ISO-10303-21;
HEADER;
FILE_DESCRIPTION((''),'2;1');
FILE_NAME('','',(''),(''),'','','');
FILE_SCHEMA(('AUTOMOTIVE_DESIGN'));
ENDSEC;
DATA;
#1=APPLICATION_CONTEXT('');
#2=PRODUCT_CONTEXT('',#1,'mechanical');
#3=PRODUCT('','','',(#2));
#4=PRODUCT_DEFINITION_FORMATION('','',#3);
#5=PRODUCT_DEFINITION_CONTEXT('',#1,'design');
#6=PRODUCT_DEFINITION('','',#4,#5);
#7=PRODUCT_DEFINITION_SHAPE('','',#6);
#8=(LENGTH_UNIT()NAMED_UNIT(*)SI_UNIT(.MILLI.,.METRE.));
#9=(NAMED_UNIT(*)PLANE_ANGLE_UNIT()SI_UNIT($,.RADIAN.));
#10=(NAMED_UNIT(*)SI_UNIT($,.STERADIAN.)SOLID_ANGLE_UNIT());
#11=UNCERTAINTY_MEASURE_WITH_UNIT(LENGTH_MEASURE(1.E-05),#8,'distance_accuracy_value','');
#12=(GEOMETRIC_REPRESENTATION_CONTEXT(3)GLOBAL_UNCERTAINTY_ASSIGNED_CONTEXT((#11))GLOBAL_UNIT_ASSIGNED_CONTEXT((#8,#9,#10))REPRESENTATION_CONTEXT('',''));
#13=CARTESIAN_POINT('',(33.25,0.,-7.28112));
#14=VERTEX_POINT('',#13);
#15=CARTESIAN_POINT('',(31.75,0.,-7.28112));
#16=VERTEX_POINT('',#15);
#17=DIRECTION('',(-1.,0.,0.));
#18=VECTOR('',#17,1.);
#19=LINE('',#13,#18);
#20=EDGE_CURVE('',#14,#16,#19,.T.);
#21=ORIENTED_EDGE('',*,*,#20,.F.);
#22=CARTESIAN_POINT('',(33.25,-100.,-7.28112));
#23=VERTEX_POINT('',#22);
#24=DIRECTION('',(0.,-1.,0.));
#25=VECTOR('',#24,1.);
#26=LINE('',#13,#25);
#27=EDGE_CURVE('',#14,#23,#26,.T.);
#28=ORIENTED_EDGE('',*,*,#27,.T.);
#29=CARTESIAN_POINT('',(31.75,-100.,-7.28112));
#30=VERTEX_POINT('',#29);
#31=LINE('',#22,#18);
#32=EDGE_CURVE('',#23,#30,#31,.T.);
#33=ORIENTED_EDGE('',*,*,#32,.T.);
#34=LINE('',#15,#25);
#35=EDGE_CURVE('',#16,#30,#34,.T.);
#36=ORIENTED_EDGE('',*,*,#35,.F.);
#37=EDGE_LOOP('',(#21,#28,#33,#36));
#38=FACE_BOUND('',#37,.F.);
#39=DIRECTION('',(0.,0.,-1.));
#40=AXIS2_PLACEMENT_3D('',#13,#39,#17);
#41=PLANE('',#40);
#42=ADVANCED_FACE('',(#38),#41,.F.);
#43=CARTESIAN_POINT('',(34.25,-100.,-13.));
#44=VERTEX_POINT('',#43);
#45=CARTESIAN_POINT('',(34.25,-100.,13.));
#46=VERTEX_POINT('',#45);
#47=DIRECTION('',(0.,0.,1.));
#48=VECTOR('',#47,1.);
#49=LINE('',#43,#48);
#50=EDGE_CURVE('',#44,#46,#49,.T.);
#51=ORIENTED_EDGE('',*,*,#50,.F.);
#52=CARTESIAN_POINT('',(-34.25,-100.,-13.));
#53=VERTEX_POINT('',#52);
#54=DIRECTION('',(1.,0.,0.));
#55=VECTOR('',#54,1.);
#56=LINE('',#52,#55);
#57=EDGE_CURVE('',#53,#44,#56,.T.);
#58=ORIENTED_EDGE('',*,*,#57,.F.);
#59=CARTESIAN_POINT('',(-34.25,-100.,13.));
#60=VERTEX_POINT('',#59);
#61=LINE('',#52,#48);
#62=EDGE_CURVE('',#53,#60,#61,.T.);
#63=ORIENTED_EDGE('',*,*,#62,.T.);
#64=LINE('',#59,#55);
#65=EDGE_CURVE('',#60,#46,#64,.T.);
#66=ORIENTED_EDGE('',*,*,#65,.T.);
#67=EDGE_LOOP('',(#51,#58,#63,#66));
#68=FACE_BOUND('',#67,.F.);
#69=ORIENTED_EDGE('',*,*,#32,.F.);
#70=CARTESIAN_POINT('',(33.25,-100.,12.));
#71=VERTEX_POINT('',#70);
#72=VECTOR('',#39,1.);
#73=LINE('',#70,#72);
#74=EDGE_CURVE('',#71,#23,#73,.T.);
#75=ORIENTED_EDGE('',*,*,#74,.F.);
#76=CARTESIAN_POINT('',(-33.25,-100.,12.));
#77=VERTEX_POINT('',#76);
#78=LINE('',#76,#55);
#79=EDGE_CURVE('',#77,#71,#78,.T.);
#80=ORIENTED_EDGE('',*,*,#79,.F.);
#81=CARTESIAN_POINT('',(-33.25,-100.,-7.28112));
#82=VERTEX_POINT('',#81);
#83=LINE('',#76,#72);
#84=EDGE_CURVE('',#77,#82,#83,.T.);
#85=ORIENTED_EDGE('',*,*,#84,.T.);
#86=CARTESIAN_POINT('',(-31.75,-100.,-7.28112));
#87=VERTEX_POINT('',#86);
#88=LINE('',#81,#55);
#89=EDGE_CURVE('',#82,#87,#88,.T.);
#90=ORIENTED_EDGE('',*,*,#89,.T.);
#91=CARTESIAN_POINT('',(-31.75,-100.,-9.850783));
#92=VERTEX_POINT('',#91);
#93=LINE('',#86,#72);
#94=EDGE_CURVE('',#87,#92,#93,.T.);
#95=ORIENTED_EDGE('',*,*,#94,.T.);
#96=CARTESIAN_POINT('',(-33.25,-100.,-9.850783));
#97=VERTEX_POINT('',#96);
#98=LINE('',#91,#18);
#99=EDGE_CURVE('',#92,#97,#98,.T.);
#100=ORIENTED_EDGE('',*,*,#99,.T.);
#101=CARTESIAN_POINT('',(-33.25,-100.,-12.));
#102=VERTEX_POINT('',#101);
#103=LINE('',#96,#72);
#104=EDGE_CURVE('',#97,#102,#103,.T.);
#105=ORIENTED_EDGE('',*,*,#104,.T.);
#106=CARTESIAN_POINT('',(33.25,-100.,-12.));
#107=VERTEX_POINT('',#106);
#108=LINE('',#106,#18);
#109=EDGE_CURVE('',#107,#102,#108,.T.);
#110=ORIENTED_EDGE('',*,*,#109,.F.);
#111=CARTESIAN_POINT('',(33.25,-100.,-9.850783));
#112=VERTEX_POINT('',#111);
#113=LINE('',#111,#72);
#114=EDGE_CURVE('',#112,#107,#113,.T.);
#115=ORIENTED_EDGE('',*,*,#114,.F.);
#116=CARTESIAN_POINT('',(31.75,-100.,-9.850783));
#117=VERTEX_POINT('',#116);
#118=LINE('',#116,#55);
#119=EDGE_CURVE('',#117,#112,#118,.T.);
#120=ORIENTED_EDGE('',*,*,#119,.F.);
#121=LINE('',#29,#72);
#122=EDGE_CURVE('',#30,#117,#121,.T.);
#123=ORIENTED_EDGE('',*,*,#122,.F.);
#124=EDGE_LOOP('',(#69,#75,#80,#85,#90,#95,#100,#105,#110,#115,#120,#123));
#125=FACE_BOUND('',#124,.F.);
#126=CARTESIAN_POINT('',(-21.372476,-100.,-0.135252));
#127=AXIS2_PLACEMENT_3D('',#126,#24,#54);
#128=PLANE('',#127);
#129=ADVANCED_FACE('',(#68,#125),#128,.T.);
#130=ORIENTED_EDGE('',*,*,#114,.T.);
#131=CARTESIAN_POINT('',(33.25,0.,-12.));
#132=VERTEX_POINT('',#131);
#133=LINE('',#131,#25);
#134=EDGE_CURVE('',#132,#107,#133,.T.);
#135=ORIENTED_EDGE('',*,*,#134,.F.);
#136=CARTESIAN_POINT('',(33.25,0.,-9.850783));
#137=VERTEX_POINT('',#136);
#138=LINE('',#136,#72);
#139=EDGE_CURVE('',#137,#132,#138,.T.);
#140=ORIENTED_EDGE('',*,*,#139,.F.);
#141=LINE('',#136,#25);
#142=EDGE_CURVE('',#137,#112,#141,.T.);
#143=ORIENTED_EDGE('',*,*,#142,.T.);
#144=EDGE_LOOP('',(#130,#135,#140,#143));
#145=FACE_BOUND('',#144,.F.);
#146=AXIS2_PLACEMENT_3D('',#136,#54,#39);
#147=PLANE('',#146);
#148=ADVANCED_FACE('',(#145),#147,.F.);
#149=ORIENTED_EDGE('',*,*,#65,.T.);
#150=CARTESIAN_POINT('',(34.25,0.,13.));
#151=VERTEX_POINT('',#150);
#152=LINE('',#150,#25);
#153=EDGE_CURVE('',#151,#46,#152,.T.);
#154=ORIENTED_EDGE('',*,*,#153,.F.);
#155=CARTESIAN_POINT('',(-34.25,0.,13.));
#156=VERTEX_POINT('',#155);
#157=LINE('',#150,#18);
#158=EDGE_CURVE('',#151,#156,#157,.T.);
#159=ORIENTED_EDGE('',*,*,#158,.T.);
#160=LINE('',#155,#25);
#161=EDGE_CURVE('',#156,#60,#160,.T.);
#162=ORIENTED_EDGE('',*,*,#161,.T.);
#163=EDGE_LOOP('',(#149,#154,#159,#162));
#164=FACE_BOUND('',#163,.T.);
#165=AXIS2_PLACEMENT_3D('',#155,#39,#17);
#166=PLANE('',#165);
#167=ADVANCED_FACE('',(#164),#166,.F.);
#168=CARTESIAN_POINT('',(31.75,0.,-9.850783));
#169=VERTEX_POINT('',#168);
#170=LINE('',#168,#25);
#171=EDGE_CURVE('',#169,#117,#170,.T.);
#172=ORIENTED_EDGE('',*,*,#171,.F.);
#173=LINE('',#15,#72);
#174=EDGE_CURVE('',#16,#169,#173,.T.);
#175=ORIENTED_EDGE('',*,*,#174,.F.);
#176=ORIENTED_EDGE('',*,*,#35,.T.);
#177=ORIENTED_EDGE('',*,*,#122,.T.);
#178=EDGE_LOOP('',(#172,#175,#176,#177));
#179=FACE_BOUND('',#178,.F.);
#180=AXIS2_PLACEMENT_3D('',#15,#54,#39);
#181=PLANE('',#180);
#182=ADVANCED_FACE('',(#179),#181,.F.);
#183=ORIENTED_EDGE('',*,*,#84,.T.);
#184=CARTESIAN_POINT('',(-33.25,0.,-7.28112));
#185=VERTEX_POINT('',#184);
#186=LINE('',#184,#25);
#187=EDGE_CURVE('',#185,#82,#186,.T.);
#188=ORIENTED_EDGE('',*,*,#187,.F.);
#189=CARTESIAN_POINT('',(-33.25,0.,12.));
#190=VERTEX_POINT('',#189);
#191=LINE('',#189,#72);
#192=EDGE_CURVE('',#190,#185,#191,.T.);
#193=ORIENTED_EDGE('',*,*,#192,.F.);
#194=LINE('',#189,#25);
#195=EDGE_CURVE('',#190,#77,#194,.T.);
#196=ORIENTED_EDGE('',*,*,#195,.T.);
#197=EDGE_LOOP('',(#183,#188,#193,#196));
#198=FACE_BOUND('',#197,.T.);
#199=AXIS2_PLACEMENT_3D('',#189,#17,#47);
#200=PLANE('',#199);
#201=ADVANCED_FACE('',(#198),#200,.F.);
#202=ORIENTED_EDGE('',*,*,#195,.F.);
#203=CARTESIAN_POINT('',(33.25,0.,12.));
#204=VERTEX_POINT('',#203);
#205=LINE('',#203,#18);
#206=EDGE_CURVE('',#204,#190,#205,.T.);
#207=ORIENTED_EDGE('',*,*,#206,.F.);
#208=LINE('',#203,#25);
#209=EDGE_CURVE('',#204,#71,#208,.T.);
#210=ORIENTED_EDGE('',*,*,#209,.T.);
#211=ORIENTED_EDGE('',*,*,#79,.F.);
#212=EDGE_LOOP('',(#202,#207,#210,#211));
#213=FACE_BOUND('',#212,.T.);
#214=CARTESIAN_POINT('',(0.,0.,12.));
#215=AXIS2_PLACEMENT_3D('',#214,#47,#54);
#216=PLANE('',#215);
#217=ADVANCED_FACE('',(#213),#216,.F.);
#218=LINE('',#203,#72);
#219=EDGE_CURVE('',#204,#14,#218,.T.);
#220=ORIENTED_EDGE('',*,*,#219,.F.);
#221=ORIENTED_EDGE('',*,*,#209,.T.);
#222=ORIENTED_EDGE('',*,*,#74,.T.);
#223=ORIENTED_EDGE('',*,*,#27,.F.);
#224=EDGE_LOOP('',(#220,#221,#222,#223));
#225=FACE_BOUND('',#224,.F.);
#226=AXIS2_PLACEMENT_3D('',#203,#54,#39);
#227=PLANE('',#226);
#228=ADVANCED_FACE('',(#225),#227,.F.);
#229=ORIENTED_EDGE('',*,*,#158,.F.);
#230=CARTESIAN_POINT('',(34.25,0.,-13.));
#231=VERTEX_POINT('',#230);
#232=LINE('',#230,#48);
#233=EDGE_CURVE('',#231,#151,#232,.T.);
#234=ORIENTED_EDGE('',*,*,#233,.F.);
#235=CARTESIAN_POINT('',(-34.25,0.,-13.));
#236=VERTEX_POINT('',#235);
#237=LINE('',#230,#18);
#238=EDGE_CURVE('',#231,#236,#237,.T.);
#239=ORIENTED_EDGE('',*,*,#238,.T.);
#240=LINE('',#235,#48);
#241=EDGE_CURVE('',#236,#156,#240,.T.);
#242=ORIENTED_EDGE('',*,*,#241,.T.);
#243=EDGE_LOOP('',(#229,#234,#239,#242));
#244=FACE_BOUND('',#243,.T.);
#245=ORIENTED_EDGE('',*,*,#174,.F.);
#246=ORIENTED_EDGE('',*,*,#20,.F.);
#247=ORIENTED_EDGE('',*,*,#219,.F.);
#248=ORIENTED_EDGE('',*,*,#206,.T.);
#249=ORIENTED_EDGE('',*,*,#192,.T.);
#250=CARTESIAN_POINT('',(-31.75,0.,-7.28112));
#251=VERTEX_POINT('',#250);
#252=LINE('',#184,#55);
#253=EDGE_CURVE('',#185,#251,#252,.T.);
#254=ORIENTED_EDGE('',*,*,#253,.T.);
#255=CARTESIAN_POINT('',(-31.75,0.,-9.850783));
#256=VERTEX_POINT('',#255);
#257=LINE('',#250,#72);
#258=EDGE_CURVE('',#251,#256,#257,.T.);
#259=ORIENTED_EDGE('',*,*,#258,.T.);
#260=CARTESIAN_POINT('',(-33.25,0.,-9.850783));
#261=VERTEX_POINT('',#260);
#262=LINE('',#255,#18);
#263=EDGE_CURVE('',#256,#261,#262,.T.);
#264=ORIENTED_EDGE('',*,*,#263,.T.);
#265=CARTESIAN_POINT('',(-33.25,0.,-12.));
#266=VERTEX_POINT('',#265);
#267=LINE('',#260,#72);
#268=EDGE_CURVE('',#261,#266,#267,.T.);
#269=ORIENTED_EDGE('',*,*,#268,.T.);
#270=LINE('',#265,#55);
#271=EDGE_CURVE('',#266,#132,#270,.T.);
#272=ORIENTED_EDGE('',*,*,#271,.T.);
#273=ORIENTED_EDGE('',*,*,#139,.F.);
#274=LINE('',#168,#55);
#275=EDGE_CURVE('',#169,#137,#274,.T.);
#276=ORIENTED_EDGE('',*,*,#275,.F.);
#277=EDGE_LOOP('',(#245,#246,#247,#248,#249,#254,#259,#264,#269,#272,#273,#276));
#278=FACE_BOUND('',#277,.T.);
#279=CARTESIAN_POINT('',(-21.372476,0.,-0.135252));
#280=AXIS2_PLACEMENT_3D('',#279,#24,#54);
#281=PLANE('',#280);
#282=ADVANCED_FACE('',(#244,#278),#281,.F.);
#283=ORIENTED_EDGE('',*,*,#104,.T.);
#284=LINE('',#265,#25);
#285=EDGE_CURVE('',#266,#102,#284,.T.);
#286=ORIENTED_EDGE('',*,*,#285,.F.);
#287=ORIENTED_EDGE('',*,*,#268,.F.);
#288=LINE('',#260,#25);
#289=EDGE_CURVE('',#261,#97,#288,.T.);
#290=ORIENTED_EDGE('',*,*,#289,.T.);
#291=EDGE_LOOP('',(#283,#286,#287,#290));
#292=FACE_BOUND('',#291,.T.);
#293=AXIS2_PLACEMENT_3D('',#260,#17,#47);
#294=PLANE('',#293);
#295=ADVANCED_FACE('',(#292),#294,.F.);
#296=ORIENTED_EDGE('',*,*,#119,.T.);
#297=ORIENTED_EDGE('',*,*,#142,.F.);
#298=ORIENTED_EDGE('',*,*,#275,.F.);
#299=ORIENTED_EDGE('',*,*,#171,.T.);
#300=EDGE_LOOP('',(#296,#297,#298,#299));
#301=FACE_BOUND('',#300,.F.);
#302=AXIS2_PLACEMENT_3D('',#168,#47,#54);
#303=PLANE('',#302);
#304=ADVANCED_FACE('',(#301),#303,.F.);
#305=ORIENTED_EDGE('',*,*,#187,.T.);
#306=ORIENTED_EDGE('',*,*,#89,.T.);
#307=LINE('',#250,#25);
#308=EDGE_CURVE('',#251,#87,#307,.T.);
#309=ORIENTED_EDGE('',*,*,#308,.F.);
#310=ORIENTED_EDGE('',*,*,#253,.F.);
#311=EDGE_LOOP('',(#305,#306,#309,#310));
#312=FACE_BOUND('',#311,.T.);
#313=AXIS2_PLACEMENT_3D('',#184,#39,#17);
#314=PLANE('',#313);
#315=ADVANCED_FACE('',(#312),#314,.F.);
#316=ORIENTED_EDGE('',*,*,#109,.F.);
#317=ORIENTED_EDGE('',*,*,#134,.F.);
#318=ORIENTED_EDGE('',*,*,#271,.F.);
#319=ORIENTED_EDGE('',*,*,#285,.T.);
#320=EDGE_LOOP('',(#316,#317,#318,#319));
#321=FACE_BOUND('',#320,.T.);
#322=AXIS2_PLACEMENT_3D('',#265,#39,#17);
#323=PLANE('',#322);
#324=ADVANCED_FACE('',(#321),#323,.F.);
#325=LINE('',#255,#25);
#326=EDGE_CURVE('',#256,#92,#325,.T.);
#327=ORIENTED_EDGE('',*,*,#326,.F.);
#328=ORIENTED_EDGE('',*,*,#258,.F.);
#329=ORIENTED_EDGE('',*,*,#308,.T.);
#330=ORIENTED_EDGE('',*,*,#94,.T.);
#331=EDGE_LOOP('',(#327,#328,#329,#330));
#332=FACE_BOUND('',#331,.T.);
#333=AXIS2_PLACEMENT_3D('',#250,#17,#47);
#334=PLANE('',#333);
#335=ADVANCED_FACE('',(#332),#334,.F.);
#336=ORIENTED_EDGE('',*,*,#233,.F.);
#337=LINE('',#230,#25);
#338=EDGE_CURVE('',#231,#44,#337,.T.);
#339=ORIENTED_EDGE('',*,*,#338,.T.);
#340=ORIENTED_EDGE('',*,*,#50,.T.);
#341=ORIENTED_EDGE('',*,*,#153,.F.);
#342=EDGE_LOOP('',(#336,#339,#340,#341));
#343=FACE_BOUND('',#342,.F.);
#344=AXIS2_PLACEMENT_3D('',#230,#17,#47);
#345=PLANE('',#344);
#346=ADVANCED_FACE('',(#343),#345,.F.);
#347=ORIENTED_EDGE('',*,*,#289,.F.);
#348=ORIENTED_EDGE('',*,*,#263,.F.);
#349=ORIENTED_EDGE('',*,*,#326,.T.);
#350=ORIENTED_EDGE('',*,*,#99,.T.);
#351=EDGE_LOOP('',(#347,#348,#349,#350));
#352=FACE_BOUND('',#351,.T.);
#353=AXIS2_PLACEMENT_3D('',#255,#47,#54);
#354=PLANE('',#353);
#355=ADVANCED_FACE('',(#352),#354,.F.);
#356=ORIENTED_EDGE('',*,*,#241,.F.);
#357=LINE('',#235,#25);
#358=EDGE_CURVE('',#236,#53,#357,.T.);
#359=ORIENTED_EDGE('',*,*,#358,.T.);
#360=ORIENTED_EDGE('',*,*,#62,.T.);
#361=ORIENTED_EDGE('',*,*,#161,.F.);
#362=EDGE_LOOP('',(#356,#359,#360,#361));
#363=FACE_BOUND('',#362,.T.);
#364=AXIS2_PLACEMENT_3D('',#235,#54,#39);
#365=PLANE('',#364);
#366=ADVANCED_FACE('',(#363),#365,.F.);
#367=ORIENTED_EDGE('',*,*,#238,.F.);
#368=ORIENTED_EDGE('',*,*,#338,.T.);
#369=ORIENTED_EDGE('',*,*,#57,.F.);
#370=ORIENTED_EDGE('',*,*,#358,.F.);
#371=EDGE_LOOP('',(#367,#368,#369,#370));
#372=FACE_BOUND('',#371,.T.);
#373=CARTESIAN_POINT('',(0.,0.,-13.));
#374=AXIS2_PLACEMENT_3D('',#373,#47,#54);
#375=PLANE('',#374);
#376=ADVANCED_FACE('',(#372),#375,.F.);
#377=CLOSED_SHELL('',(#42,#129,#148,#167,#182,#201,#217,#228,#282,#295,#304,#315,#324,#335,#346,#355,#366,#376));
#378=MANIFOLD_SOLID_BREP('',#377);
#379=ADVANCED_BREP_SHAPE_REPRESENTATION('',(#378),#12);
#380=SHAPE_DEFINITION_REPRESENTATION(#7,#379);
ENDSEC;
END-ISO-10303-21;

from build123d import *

# Parameters (mm, degrees)
F1_DEPTH = 100


with BuildPart() as f1:
    # F0 (on Front) → F1 (new body)
    with BuildSketch(Plane.XZ):
        Polygon((34.25, 13), (0, 13), (0, 12), (33.25, 12), (33.25, -7.28112), (31.75, -7.28112), (31.75, -9.850783), (33.25, -9.850783), (33.25, -12), (0, -12), (0, -13), (34.25, -13), align=None)
    extrude(amount=F1_DEPTH)

    # F2: F1 across face


with BuildPart() as f1_1:
    add(f1.part)
    add(f1.part.mirror(Plane(origin=(0, -50, 12.5), x_dir=(0, -1, 0), z_dir=(-1, 0, 0))))


solid = f1_1.part
